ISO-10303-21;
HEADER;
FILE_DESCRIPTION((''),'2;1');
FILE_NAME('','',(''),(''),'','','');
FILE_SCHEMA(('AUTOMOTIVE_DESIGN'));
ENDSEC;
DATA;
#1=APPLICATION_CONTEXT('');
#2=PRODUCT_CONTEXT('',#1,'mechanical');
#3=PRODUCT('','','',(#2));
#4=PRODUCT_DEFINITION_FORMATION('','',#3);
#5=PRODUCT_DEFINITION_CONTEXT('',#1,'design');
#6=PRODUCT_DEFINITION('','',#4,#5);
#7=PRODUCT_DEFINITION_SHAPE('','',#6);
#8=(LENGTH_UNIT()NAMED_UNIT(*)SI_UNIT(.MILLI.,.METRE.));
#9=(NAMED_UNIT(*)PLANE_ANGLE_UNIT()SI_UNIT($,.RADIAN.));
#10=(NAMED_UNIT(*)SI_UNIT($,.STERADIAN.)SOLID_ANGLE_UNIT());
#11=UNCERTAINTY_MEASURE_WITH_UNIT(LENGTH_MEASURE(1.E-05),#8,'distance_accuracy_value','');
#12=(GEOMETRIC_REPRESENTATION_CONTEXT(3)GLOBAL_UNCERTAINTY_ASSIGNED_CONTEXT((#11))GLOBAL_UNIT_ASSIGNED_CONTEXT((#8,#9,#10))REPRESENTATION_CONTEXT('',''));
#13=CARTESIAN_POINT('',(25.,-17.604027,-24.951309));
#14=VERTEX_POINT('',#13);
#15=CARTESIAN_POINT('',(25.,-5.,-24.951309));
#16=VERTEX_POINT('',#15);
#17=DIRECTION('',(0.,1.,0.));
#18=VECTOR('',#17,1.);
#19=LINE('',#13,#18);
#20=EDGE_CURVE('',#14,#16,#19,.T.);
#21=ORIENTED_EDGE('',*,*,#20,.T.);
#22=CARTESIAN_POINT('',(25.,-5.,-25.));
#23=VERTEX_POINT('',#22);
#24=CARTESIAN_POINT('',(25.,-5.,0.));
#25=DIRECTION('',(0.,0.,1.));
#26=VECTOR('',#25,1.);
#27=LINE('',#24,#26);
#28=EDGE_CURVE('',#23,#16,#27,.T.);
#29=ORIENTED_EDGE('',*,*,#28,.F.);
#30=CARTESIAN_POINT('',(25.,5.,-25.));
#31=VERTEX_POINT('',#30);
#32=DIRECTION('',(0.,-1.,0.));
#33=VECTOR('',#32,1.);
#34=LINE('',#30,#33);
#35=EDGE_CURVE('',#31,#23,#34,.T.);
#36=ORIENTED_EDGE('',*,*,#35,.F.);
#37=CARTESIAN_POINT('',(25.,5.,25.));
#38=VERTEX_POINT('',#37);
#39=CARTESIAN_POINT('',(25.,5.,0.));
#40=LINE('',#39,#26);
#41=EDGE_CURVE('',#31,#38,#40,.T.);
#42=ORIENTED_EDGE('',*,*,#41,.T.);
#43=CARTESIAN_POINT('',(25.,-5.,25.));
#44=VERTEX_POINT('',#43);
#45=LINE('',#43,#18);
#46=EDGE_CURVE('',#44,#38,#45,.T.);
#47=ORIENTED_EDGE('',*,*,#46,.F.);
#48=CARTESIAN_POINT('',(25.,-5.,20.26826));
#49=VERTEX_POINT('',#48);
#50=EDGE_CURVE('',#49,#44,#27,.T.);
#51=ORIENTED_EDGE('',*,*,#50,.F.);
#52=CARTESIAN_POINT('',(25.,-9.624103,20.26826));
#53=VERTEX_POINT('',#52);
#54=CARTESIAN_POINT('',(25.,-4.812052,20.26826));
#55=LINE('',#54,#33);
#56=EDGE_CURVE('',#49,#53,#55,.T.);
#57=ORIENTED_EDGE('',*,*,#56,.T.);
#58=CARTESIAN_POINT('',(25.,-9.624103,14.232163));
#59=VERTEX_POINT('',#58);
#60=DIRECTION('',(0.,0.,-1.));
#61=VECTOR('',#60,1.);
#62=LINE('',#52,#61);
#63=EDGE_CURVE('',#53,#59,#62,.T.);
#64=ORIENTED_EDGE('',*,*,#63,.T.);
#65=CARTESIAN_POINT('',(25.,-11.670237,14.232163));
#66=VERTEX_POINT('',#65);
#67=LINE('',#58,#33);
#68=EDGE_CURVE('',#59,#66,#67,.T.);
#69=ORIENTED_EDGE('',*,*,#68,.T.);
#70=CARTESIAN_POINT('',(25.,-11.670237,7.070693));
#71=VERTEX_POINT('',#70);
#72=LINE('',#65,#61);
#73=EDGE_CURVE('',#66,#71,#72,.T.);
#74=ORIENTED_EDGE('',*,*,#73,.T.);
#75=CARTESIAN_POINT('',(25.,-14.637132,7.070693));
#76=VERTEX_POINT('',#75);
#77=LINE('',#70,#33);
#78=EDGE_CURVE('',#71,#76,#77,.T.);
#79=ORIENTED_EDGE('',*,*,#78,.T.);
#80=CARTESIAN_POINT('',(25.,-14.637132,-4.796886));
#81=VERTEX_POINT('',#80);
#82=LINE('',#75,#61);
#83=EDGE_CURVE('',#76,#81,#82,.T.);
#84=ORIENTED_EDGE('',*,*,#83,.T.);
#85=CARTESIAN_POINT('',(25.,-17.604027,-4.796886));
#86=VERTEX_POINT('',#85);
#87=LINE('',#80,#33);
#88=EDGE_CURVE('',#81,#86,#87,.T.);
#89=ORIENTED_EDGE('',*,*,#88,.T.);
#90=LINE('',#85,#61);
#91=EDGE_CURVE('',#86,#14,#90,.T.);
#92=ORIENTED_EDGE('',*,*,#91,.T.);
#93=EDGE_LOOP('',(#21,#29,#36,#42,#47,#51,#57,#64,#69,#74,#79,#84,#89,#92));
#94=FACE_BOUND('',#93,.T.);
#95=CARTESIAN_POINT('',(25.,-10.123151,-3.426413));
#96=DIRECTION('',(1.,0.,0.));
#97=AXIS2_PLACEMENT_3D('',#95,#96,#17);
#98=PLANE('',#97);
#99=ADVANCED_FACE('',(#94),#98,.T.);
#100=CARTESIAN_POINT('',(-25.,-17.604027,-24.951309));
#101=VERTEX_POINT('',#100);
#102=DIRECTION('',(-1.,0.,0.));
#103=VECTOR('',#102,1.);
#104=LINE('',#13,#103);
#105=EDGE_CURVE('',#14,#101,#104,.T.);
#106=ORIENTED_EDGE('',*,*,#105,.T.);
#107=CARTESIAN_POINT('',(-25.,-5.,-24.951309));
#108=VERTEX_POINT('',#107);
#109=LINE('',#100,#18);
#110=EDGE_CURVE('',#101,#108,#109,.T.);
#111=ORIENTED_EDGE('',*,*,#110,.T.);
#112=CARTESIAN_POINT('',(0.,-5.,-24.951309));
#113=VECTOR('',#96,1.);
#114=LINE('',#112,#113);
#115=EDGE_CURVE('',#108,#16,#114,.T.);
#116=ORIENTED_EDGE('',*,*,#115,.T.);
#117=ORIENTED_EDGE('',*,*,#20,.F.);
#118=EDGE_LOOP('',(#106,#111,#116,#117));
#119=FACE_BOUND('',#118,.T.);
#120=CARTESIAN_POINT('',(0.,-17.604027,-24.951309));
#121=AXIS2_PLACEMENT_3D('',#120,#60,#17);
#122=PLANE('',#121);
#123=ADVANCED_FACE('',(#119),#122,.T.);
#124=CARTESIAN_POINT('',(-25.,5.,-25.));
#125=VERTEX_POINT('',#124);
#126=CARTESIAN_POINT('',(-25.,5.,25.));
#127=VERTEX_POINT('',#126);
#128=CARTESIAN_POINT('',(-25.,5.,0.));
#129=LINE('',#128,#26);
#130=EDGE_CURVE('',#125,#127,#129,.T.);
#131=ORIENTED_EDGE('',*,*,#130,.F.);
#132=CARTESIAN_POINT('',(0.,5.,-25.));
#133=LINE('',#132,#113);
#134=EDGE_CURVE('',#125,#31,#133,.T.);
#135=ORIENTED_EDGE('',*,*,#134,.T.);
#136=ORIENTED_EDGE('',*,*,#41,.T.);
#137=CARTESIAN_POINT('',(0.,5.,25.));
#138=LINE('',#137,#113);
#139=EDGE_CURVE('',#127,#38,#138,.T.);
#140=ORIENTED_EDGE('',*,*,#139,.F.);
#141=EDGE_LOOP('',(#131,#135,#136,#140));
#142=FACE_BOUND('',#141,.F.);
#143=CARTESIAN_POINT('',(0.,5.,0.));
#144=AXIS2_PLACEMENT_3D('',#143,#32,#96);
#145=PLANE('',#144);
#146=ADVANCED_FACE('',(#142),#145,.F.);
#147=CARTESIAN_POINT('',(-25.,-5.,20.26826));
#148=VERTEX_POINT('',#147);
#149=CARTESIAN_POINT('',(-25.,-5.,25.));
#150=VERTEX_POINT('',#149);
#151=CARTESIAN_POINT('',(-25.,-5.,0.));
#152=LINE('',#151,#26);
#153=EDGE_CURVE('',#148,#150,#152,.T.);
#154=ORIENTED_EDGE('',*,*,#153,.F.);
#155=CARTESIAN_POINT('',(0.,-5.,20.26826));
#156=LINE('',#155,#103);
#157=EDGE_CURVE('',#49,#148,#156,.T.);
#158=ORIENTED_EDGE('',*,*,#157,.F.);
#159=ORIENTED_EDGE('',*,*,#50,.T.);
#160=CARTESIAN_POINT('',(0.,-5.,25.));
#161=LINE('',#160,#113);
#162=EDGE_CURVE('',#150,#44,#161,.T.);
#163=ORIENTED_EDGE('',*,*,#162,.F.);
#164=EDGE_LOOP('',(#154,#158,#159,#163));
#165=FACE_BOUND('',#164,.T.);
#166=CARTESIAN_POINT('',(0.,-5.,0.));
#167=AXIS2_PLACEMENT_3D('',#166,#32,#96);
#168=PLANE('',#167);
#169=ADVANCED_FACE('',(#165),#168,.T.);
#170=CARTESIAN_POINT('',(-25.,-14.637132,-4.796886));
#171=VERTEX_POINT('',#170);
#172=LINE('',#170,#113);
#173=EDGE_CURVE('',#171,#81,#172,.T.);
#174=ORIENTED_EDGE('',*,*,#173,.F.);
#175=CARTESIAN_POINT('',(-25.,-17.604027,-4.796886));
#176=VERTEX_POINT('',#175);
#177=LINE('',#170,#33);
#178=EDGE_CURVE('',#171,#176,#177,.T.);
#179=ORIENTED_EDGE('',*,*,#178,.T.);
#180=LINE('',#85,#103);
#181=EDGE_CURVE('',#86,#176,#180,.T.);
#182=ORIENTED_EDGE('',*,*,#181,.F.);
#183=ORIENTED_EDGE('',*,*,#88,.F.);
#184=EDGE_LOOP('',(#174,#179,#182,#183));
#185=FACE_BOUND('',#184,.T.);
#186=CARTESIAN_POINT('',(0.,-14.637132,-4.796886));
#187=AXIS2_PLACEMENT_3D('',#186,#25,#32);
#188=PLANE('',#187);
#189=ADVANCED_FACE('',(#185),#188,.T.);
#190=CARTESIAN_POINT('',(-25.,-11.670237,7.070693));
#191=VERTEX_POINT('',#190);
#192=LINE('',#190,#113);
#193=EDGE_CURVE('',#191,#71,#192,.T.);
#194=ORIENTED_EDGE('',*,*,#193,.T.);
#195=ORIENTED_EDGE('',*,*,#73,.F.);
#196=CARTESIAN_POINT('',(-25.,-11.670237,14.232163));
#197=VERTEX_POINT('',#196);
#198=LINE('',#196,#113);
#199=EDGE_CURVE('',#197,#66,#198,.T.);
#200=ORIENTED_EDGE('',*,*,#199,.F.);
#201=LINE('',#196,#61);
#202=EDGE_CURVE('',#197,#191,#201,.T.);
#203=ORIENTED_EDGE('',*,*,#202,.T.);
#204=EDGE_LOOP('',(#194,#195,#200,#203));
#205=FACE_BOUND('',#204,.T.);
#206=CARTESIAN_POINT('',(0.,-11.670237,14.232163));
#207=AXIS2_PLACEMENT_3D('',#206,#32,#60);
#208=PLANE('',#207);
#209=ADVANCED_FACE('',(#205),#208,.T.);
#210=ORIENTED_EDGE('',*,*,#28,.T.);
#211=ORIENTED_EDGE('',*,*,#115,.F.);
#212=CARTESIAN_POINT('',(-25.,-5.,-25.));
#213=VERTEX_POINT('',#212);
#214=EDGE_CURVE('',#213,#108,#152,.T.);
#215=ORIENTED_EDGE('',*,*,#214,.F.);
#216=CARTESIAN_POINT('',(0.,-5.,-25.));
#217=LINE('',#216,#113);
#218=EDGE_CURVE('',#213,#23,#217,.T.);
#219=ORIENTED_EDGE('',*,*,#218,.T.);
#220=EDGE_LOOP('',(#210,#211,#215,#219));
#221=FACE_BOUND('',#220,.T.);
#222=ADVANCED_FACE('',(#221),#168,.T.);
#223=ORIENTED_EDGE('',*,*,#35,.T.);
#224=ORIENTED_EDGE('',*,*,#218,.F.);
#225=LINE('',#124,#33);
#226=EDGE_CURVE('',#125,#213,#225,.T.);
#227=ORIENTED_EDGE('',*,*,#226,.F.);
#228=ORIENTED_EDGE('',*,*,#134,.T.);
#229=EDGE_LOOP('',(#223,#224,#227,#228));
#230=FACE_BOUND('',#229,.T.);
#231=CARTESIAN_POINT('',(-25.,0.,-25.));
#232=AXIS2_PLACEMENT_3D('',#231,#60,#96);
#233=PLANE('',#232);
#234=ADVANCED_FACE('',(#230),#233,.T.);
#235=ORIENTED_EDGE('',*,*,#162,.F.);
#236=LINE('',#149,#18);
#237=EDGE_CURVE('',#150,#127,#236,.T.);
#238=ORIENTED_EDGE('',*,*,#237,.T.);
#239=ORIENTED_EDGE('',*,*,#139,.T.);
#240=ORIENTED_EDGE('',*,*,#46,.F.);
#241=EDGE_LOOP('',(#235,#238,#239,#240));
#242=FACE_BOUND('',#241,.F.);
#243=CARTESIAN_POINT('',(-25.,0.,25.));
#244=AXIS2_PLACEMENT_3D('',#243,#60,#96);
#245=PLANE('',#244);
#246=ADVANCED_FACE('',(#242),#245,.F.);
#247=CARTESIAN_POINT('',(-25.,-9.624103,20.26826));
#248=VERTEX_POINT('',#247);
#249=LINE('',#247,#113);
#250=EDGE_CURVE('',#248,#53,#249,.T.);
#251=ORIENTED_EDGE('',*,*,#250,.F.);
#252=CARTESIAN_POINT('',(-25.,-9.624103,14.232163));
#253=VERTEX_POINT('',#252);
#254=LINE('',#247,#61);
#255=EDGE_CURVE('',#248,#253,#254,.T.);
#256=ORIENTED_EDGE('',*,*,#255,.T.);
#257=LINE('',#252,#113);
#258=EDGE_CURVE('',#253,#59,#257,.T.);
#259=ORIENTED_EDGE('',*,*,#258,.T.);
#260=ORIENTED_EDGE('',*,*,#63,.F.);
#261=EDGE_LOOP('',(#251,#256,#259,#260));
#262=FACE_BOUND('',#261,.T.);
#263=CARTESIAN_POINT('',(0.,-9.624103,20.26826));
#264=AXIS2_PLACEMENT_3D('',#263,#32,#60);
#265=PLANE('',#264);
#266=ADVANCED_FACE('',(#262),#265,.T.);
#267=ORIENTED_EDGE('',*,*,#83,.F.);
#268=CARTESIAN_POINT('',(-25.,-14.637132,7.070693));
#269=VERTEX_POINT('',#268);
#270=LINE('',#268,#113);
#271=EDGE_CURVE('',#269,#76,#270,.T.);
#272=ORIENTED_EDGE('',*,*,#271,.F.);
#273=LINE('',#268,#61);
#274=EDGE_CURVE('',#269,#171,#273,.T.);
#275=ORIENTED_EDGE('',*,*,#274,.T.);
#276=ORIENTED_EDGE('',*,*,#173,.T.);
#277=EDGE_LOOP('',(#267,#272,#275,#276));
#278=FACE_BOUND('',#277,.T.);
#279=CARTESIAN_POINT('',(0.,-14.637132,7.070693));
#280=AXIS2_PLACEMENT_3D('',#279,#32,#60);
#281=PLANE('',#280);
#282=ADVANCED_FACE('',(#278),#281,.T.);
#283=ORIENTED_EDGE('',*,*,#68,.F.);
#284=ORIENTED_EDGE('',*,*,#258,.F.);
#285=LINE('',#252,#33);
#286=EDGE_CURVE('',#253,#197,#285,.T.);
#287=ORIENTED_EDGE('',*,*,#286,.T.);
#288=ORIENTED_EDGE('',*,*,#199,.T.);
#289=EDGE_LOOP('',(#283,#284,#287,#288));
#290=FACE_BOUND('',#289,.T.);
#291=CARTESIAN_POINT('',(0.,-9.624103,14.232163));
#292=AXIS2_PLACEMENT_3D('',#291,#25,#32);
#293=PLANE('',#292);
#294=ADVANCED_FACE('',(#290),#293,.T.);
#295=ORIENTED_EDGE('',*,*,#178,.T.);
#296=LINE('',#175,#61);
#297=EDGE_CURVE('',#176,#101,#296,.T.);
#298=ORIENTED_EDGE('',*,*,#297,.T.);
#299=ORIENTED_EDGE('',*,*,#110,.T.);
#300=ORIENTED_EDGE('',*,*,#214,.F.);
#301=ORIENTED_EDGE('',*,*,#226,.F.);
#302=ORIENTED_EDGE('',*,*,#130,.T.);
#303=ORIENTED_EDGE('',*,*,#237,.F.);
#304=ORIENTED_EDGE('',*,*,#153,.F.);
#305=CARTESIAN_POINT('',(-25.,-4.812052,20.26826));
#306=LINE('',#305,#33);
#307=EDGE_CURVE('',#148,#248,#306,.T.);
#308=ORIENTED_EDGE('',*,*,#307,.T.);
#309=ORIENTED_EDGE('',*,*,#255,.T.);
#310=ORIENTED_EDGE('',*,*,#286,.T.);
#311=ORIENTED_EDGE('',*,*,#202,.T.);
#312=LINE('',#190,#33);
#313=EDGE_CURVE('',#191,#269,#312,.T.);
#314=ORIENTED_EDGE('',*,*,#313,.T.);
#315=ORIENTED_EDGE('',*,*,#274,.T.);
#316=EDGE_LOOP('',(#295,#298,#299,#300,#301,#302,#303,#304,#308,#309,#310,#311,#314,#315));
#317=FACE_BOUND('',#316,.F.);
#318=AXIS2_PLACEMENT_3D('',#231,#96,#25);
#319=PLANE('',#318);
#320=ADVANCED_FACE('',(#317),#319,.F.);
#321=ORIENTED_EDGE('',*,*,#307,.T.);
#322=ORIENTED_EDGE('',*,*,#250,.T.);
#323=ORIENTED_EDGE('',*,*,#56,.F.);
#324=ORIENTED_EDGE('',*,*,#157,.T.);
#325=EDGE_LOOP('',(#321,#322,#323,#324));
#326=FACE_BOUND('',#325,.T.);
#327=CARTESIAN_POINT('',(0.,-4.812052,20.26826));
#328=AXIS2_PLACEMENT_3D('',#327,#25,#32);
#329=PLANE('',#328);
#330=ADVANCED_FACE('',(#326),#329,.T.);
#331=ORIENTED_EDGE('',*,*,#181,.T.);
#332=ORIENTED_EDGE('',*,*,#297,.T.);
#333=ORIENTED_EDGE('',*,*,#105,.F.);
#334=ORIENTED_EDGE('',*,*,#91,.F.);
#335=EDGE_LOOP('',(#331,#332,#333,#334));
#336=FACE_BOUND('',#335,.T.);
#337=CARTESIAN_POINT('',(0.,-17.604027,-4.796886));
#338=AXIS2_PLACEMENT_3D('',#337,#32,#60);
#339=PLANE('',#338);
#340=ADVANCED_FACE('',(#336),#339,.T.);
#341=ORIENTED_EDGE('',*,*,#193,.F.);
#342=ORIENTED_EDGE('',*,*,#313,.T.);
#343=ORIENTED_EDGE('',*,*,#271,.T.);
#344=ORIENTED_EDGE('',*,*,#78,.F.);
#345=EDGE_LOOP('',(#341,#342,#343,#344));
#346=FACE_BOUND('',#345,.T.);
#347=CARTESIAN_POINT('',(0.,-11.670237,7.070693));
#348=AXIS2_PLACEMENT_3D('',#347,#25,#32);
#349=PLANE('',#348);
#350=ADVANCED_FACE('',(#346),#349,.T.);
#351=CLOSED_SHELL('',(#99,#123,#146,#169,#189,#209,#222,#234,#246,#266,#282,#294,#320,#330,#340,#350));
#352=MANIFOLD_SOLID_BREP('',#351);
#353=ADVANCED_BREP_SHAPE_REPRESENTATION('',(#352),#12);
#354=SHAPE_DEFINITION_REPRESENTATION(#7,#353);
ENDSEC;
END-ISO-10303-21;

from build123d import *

# Parameters (mm, degrees)
F0_W     = 50
F0_H     = 50
F1_DEPTH = 5
F3_DEPTH = 25


with BuildPart() as f1:
    # F0 (on Front) → F1 (new body, symmetric)
    with BuildSketch(Plane.XZ):
        Rectangle(F0_W, F0_H)
    extrude(amount=F1_DEPTH, both=True)

    # F2 (on Right) → F3 (join, symmetric)
    with BuildSketch(Plane.YZ):
        Polygon((-4.812052, -24.951309), (-4.812052, 20.26826), (-9.624103, 20.26826), (-9.624103, 14.232163), (-11.670237, 14.232163), (-11.670237, 7.070693), (-14.637132, 7.070693), (-14.637132, -4.796886), (-17.604027, -4.796886), (-17.604027, -24.951309), align=None)
    extrude(amount=F3_DEPTH, both=True)


solid = f1.part
